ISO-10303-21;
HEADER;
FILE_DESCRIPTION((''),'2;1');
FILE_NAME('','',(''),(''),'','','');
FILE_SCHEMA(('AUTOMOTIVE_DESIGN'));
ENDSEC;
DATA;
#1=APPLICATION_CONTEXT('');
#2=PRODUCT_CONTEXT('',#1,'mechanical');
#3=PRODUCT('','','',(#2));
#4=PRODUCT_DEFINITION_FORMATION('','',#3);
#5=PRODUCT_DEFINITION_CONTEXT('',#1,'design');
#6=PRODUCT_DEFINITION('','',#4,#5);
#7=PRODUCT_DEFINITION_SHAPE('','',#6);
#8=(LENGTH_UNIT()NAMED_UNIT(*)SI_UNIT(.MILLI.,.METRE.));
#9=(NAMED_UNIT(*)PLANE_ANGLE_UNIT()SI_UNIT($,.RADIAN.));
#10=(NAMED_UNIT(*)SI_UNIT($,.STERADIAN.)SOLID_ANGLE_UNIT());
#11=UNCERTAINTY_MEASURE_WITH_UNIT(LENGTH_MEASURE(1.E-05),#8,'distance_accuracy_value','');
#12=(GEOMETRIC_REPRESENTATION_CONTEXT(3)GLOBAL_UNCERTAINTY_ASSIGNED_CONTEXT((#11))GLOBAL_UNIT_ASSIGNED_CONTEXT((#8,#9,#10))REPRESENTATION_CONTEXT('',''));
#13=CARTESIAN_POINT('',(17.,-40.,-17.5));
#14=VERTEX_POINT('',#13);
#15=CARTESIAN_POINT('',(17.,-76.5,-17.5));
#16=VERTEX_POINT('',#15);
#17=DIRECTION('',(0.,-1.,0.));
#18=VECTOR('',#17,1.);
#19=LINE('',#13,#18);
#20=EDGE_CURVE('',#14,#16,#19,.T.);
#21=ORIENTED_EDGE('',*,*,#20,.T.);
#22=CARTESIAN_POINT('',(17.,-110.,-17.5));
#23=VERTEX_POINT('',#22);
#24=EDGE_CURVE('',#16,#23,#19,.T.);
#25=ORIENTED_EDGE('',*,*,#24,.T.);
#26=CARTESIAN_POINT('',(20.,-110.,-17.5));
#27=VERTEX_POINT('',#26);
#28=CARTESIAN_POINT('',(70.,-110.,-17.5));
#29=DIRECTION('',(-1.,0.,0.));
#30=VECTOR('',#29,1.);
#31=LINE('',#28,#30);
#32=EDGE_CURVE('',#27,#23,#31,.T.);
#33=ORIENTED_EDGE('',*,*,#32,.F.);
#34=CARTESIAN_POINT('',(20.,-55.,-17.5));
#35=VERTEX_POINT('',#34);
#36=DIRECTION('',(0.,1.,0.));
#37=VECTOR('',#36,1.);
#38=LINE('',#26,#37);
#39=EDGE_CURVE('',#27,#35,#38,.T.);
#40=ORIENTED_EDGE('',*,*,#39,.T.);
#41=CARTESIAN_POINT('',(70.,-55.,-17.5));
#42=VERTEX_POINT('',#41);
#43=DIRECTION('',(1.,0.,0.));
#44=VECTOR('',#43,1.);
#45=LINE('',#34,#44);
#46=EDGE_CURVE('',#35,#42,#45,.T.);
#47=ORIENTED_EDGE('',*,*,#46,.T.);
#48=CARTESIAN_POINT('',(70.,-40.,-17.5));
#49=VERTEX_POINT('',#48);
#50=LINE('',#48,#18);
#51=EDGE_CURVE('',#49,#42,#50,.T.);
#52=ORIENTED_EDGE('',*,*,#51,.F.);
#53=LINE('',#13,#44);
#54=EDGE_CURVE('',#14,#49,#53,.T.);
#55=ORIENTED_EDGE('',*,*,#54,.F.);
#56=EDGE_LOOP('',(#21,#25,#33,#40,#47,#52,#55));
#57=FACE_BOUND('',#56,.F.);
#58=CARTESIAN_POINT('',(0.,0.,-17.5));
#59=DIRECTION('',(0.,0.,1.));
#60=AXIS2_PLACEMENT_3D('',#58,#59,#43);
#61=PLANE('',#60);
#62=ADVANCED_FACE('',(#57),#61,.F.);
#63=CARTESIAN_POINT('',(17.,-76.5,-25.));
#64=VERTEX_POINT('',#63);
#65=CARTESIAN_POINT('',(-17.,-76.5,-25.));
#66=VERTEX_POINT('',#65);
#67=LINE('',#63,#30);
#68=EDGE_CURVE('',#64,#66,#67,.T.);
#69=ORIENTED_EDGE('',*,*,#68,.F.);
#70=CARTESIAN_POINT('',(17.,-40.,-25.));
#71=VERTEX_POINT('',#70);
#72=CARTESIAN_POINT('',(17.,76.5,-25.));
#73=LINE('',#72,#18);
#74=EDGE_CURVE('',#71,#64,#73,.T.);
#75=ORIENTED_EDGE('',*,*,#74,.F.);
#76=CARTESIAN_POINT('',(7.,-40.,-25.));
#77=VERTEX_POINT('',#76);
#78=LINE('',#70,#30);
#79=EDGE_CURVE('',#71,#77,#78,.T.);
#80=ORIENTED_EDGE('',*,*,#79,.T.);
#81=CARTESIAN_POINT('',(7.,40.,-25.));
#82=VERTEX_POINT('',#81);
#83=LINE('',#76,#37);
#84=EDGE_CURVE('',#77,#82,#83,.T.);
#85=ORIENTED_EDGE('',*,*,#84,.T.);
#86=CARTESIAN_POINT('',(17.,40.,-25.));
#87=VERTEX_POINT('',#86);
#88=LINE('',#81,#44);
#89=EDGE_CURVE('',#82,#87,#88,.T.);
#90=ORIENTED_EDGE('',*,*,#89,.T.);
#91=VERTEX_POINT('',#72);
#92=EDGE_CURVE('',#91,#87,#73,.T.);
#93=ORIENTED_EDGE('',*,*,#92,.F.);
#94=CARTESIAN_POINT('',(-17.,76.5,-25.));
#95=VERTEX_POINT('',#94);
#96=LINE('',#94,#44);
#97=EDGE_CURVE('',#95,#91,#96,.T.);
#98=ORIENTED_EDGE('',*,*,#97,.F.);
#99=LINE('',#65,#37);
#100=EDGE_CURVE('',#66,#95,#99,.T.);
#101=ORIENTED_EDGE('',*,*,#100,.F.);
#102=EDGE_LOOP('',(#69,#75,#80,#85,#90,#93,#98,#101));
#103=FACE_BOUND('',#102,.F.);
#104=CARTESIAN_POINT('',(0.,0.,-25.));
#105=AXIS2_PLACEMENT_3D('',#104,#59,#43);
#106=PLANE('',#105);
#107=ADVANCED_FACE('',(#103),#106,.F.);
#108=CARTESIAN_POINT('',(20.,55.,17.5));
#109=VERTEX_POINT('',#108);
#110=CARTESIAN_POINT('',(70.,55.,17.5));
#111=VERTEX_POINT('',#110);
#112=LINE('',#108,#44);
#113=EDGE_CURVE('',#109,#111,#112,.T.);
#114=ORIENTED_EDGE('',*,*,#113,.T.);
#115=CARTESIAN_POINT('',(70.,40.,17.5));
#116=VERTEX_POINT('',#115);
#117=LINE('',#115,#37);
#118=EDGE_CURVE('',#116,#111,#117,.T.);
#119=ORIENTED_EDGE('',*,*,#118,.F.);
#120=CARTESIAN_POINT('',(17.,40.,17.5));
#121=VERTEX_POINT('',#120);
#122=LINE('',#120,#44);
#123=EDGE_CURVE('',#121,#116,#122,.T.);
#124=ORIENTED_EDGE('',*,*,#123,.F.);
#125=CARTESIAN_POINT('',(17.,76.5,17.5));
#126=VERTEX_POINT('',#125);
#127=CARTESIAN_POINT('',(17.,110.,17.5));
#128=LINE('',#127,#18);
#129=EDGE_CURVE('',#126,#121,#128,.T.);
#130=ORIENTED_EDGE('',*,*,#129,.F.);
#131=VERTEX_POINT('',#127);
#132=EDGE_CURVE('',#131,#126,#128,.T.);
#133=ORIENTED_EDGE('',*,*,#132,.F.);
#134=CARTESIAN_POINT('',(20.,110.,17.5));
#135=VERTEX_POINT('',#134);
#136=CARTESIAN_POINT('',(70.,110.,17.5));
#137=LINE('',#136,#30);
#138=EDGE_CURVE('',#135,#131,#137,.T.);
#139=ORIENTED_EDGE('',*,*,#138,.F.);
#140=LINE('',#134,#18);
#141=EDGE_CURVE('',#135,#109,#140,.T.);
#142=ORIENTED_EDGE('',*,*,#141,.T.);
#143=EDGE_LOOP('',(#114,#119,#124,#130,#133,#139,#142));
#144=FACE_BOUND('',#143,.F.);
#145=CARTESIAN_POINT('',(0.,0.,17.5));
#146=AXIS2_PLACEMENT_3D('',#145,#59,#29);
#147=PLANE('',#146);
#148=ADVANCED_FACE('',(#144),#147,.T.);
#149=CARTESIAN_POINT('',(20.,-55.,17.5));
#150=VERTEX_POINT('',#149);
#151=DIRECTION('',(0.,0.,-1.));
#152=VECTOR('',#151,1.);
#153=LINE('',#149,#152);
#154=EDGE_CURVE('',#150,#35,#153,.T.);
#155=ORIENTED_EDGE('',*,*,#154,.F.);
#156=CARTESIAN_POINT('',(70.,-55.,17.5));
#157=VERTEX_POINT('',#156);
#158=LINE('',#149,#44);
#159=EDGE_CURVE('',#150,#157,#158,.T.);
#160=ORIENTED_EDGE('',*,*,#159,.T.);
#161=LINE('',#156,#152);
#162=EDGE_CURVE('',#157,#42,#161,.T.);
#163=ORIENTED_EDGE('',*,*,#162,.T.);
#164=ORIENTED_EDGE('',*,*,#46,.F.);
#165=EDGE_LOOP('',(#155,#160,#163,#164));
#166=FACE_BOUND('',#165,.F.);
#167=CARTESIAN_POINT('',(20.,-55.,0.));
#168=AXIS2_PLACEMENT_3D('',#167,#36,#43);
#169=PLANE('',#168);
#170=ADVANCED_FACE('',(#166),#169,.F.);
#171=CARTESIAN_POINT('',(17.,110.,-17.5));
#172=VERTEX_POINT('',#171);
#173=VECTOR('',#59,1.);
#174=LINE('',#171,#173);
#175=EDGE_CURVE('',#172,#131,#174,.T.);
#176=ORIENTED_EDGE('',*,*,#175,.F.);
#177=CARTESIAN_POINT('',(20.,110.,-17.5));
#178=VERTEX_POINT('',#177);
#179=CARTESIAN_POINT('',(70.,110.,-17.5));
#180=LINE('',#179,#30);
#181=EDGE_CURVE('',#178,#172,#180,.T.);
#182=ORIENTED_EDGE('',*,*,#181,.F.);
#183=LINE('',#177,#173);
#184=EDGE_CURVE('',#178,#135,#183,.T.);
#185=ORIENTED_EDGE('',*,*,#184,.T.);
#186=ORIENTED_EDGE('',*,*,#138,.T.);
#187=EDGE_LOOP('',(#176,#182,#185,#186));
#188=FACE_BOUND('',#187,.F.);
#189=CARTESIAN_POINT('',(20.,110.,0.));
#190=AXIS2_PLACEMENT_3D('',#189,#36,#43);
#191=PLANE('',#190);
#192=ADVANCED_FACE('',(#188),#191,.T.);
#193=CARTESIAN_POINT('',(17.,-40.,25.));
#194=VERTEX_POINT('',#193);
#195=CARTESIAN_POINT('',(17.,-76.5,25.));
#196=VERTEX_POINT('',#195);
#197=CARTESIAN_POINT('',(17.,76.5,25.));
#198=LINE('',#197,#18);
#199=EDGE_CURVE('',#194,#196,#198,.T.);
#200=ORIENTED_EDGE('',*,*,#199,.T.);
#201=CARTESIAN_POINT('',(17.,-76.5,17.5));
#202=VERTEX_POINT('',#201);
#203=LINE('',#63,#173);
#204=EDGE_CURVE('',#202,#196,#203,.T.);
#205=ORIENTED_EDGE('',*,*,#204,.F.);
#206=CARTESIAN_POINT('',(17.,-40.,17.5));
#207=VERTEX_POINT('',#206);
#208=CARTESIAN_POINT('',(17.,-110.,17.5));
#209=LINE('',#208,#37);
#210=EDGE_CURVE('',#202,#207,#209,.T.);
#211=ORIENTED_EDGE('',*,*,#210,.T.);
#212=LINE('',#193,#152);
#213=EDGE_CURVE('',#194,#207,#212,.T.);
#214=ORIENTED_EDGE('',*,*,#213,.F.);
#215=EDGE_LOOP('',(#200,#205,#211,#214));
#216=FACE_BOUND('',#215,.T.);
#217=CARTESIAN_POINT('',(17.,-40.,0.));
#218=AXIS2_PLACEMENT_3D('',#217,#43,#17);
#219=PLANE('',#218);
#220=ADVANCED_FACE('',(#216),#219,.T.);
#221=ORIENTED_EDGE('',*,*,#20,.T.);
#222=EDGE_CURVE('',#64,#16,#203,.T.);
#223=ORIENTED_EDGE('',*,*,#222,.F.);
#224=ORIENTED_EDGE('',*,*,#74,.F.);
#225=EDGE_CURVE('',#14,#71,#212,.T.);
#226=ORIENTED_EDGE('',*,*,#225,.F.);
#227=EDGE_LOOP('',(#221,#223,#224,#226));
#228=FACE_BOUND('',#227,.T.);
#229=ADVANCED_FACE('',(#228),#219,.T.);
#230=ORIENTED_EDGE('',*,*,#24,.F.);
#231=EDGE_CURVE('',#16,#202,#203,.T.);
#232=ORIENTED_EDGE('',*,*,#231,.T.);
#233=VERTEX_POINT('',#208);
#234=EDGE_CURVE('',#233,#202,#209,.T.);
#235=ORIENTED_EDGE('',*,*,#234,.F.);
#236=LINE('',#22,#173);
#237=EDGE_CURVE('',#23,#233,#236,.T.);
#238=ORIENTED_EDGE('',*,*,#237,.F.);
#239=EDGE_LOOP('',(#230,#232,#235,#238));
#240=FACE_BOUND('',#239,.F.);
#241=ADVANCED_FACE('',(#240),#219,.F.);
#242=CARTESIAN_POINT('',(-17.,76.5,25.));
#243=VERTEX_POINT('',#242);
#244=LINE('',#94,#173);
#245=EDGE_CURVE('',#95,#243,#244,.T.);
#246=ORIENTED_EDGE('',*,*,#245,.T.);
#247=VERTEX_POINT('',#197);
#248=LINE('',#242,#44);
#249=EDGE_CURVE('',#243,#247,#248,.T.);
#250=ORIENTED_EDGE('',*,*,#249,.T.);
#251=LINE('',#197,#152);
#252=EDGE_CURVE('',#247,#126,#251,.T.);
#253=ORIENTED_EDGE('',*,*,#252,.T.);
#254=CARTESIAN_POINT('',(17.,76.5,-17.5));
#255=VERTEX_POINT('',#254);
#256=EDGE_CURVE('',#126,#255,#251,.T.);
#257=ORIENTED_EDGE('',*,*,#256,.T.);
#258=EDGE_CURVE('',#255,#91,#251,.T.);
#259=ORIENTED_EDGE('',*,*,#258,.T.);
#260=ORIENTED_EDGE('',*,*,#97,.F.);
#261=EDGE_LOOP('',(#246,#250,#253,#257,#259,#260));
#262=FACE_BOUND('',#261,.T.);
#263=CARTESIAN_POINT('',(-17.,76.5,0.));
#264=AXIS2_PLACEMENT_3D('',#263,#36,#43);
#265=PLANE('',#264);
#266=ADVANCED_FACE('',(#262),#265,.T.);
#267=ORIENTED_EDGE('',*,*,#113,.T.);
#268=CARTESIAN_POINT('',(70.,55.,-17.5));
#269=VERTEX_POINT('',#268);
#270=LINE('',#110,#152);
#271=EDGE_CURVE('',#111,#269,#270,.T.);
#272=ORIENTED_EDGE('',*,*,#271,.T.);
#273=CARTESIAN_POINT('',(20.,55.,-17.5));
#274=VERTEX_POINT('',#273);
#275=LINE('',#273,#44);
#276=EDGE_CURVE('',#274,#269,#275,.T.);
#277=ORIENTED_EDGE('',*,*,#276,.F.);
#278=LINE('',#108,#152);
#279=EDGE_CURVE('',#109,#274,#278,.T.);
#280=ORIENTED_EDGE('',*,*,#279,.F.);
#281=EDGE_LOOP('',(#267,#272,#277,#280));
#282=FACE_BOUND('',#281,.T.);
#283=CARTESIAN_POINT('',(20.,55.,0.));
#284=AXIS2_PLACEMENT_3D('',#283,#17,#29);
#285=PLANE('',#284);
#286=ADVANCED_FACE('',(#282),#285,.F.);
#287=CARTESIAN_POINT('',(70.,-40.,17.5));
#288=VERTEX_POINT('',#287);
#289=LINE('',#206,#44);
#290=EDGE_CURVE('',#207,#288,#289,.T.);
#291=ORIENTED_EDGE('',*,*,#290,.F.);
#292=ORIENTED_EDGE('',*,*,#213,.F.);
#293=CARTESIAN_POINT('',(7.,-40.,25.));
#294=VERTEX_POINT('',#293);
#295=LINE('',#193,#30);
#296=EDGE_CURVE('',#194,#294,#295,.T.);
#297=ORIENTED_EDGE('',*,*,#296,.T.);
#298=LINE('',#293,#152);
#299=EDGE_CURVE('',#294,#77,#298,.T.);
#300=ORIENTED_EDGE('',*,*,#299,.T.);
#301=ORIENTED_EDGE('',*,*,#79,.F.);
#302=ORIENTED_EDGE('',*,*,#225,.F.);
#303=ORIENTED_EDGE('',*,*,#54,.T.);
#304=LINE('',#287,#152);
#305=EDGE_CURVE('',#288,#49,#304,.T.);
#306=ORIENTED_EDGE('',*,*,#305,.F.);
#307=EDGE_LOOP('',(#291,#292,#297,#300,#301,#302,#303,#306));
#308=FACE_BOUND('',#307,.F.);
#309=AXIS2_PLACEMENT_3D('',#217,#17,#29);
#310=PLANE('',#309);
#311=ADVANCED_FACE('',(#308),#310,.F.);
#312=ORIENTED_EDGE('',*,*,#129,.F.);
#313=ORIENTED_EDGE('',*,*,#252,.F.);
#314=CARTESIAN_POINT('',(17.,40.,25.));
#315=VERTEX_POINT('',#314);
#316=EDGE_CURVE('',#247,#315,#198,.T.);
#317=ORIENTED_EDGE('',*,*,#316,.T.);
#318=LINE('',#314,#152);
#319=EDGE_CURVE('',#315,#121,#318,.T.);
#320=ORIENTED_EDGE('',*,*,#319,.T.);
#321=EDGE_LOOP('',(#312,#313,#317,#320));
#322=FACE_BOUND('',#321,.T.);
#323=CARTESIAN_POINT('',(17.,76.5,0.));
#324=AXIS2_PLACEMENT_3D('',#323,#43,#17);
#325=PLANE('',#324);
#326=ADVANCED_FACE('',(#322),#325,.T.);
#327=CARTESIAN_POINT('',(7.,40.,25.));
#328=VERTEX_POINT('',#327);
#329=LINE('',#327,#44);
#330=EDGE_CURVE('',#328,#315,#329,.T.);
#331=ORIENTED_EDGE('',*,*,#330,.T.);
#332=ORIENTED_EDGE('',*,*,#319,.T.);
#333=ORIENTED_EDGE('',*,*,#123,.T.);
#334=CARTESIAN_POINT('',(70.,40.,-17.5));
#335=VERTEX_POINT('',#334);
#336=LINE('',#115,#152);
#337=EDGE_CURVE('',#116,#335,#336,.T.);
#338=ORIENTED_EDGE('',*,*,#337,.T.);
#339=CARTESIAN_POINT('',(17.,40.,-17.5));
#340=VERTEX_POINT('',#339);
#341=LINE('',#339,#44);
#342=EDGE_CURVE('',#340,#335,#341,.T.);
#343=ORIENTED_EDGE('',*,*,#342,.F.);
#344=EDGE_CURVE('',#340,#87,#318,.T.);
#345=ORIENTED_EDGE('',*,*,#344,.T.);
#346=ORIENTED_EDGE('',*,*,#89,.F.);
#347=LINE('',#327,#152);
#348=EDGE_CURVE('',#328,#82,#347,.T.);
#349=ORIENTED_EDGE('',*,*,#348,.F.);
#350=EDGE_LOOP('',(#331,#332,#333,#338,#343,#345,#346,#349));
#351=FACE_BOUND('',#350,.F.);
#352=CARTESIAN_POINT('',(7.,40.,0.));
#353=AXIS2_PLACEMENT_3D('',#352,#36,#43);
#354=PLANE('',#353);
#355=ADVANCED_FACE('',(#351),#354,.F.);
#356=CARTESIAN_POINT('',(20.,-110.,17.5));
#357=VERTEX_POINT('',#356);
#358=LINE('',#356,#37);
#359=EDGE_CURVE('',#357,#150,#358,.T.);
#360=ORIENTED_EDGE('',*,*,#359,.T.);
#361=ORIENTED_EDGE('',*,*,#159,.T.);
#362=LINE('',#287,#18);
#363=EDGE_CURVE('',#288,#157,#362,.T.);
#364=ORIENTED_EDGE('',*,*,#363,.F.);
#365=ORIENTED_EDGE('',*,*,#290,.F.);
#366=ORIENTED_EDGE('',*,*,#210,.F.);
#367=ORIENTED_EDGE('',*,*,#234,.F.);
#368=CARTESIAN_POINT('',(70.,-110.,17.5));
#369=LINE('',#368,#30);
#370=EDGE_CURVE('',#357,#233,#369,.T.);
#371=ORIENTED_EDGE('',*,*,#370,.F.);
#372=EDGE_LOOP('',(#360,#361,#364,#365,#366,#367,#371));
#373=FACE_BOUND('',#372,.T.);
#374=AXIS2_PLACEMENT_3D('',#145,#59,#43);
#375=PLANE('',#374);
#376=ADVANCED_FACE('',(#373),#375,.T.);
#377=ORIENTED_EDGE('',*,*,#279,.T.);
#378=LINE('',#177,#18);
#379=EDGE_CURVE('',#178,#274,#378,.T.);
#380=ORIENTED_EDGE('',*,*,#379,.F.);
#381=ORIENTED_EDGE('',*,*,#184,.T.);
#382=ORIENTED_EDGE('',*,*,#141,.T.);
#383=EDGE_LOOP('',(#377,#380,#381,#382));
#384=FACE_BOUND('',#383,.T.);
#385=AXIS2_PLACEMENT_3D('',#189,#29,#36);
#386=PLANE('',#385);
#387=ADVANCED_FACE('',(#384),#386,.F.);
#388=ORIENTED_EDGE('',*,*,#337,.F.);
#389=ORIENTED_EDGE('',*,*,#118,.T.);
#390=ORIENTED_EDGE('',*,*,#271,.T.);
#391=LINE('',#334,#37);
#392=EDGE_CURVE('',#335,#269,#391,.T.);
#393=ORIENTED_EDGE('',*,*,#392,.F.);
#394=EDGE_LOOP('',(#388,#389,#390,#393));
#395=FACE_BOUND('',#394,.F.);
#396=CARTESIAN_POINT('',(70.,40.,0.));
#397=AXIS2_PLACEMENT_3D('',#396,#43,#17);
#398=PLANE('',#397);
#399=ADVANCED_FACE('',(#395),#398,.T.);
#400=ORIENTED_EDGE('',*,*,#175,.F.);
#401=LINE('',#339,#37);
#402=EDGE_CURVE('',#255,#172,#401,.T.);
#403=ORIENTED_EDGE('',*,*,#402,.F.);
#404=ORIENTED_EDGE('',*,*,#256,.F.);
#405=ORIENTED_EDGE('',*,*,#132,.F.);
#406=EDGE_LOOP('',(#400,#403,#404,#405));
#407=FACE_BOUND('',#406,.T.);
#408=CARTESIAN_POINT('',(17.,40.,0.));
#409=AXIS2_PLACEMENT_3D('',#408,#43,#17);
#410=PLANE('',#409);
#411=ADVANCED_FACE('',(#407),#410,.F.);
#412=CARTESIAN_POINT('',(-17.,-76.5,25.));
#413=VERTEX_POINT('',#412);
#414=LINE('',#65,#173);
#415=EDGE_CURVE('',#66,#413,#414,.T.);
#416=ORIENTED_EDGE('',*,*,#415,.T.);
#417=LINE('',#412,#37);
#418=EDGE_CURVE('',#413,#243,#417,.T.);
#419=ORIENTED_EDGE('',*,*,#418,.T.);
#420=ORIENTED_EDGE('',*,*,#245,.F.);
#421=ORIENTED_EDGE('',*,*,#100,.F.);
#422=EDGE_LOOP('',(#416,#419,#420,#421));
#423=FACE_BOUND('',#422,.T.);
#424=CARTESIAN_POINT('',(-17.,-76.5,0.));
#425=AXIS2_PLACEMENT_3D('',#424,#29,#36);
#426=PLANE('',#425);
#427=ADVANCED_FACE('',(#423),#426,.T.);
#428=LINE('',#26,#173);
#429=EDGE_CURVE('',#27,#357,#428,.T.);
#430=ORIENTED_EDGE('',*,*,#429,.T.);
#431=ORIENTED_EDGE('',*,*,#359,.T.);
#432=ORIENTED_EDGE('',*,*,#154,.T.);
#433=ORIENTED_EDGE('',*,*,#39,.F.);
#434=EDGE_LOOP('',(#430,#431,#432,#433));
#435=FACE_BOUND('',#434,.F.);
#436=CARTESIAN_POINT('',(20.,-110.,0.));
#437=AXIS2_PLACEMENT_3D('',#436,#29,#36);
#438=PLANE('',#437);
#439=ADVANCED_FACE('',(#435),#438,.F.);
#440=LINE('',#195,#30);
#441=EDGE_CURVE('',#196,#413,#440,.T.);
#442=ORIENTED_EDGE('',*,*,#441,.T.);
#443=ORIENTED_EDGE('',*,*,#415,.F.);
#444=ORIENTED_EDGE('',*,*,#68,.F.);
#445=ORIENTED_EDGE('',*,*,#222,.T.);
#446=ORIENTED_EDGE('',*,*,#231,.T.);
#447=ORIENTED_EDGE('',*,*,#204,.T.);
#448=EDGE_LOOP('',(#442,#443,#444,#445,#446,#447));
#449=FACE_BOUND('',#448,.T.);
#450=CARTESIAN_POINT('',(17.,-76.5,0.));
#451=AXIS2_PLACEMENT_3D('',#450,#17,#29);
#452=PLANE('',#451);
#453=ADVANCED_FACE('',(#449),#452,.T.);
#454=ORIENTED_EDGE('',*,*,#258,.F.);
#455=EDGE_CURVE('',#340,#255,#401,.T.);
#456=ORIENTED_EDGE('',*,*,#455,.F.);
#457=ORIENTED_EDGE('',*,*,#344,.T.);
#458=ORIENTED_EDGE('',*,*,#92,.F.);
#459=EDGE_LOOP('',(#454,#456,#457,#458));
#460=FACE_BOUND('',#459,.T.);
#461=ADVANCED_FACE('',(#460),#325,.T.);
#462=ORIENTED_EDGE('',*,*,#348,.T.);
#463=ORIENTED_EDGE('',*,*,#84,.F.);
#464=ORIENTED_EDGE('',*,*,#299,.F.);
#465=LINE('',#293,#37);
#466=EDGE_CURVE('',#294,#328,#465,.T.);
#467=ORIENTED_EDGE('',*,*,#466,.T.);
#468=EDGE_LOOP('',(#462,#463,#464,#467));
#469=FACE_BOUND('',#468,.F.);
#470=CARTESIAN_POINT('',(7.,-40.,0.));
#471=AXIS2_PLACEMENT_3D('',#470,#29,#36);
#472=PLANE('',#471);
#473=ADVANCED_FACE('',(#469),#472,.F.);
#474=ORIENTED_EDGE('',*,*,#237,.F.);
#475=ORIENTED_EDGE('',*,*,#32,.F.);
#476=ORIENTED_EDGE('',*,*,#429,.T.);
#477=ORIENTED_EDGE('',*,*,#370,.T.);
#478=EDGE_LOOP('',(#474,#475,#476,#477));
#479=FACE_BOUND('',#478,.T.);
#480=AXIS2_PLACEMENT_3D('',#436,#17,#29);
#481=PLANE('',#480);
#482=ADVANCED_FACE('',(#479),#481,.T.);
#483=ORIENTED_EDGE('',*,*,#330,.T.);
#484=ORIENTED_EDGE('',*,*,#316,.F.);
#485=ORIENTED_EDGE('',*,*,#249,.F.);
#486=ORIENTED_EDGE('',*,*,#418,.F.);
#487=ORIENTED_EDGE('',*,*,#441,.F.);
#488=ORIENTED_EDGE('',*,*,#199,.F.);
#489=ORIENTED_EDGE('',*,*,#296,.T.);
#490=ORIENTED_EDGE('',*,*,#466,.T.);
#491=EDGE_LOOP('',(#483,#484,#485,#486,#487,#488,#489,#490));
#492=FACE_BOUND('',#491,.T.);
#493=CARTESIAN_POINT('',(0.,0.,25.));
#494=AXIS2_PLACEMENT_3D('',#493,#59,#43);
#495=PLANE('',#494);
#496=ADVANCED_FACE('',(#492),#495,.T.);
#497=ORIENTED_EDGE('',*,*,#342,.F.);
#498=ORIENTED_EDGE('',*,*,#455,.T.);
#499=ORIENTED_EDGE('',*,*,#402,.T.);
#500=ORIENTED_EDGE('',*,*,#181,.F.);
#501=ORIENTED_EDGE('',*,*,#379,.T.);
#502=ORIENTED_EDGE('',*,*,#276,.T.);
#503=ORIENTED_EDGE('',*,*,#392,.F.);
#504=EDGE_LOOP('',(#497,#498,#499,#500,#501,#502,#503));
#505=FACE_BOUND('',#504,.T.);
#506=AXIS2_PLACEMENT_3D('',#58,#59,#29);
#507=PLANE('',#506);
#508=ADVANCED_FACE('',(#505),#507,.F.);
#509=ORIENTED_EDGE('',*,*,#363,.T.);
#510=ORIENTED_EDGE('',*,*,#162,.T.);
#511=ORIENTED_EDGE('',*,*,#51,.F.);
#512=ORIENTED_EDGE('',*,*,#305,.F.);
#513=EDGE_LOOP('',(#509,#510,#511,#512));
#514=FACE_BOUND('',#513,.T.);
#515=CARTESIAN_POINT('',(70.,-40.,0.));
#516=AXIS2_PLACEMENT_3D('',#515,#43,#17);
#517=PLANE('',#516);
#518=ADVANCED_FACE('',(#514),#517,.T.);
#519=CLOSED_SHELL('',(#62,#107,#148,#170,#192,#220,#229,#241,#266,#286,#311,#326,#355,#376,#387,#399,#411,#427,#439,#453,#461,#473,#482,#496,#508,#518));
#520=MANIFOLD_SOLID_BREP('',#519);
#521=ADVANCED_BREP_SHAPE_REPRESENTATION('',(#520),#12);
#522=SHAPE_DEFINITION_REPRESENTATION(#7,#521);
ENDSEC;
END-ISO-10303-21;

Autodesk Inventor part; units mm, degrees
ref_plane "YZ Plane" through (0, 0, 0) normal (1, 0, 0) x (0, 1, 0)
ref_plane "XZ Plane" through (0, 0, 0) normal (0, 1, 0) x (-1, 0, 0)
ref_plane "XY Plane" through (0, 0, 0) normal (0, 0, 1) x (1, 0, 0)
sketch "Sketch1" plane through (0, 0, 0) normal (0, 0, 1) x (1, 0, 0)
  line L0 (0, 113.8) -> (0, -147.3) construction
  line L1 (-34.4, 0) -> (87.4, 0) construction
  line L2 (-17, 76.5) -> (17, 76.5)
  line L3 (17, 76.5) -> (17, -76.5)
  line L4 (17, -76.5) -> (-17, -76.5)
  line L5 (-17, -76.5) -> (-17, 76.5)
  line L6 (-17, 76.5) -> (17, -76.5) construction
  line L7 (17, 76.5) -> (-17, -76.5) construction
  line L8 (7, 40) -> (17, 40)
  line L9 (17, 40) -> (17, -40)
  line L10 (17, -40) -> (7, -40)
  line L11 (7, -40) -> (7, 40)
  line L12 (7, 40) -> (17, -40) construction
  line L13 (17, 40) -> (7, -40) construction
  line L14 (17, -40) -> (70, -40)
  line L15 (70, -40) -> (70, -110)
  line L16 (70, -110) -> (17, -110)
  line L17 (17, -110) -> (17, -40)
  line L18 (70, -110) -> (20, -110)
  line L19 (20, -110) -> (20, -55)
  line L20 (20, -55) -> (70, -55)
  line L21 (70, -55) -> (70, -110)
  point P0 (0, 0)
  point P1 (12, 0)
  dimension "d4" = 80
  dimension "d5" = 153
  dimension "d6" = 34
  dimension "d7" = 10
  dimension "d10" = 70
  dimension "d11" = 55
  dimension "d12" = 53
  dimension "d13" = 3
extrude "Extrusion3" add sketch "Sketch1" along normal mid plane 50 contours L2 L3 L8 L11 L10 L4 L5
extrude "Extrusion4" add sketch "Sketch1" along normal mid plane 35 contours L3 L14 L15 L20 L19 L16 L17
mirror "Mirror1" about plane through (0, 0, 0) normal (0, 1, 0) of "Extrusion4"
properties part number "17-0028-0085"
